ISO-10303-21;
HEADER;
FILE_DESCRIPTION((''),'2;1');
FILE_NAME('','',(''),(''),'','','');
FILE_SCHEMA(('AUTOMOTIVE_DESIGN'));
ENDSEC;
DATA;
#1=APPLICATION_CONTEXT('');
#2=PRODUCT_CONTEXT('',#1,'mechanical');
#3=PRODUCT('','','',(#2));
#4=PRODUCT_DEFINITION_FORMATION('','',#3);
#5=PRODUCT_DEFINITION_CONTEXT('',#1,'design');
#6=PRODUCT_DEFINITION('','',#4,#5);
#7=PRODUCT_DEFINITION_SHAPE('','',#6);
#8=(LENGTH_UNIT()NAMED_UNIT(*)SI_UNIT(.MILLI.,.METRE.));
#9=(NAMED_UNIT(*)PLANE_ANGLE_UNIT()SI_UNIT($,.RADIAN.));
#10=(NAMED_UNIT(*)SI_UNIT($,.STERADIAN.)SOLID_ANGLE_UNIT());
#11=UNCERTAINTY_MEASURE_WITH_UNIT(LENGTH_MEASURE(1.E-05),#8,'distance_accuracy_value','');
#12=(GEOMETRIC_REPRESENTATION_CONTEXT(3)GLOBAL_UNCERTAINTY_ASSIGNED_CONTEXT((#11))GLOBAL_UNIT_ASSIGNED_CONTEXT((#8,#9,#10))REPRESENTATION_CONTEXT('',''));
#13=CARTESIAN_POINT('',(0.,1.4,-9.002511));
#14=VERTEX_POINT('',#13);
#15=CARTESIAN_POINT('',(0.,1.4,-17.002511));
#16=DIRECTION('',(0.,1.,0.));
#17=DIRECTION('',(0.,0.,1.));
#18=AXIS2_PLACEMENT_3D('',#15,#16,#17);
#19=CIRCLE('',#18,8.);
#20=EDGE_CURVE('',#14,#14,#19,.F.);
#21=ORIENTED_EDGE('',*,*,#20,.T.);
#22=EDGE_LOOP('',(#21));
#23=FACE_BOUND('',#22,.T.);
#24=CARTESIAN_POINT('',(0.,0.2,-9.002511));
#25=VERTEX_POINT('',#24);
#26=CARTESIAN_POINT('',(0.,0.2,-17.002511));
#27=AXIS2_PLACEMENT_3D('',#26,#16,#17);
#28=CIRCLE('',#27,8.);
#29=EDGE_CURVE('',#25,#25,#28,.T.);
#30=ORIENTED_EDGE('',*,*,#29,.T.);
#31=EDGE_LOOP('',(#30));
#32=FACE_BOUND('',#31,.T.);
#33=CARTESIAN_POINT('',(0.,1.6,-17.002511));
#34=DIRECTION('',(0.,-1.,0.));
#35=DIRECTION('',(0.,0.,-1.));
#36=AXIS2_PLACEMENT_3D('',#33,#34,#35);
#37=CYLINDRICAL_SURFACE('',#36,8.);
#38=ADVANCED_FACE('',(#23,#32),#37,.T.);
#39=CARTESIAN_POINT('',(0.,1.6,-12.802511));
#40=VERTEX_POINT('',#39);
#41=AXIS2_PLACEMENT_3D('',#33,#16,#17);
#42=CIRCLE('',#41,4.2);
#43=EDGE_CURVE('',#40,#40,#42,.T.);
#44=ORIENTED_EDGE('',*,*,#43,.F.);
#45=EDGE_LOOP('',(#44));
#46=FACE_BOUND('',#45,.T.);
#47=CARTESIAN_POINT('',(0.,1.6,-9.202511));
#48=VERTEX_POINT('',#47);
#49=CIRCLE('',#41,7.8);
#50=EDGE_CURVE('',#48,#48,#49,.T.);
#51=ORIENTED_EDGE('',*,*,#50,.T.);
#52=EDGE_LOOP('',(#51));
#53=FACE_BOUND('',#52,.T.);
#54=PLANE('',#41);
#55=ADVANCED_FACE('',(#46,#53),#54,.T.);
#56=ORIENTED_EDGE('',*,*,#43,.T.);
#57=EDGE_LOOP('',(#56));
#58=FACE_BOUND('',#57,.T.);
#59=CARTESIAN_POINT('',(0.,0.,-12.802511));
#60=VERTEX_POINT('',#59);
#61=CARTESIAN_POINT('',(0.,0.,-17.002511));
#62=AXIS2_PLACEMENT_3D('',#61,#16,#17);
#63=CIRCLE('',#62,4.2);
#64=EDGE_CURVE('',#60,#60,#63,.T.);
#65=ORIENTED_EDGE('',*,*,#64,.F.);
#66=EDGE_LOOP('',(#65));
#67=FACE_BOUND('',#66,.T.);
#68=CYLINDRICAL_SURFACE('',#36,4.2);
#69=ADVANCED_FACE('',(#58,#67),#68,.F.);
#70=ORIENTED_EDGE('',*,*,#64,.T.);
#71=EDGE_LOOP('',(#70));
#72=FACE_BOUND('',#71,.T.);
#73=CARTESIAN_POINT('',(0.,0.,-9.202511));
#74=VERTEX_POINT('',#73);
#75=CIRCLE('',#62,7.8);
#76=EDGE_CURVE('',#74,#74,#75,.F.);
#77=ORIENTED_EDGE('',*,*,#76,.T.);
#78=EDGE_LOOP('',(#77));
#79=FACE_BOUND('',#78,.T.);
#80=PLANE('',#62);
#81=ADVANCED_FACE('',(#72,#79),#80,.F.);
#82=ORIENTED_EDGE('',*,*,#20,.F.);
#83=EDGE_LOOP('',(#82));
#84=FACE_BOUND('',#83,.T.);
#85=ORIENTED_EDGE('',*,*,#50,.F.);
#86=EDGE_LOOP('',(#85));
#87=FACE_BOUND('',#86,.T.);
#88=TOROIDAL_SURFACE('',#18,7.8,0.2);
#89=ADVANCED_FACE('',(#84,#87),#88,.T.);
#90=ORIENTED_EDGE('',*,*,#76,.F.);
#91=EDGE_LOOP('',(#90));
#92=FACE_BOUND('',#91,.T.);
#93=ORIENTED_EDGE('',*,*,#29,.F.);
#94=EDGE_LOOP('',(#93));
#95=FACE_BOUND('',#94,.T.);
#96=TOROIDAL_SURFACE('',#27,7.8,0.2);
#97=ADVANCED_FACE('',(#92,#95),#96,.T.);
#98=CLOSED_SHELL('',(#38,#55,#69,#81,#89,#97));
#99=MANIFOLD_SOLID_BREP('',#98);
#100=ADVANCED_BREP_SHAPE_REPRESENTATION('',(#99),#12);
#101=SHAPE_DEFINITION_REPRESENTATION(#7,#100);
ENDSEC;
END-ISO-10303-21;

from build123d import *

# Parameters (mm, degrees)
SZKIC1_R                    = 8
SZKIC1_R_2                  = 4.2
DODANIE_WYCI_GNI_CIE1_DEPTH = 1.6
ZAOKR_GLENIE1_R             = 0.2


with BuildPart() as part:
    # Szkic1 → Dodanie-wyciągnięcie1 (new body)
    with BuildSketch(Plane(origin=(0, 0, 0), x_dir=(1, 0, 0), z_dir=(0, 1, 0))):
        with Locations((0, 17.002511285)):
            Circle(SZKIC1_R)
        with Locations((0, 17.002511285)):
            Circle(SZKIC1_R_2, mode=Mode.SUBTRACT)
    extrude(amount=DODANIE_WYCI_GNI_CIE1_DEPTH)

    # Zaokrąglenie1
    zaokr_glenie1_edges = [part.edges().sort_by_distance(p)[0] for p in [
        (-8, 0, -17.002511285),
        (-8, 1.6, -17.002511285),
    ]]
    fillet(zaokr_glenie1_edges, radius=ZAOKR_GLENIE1_R)


solid = part.part
